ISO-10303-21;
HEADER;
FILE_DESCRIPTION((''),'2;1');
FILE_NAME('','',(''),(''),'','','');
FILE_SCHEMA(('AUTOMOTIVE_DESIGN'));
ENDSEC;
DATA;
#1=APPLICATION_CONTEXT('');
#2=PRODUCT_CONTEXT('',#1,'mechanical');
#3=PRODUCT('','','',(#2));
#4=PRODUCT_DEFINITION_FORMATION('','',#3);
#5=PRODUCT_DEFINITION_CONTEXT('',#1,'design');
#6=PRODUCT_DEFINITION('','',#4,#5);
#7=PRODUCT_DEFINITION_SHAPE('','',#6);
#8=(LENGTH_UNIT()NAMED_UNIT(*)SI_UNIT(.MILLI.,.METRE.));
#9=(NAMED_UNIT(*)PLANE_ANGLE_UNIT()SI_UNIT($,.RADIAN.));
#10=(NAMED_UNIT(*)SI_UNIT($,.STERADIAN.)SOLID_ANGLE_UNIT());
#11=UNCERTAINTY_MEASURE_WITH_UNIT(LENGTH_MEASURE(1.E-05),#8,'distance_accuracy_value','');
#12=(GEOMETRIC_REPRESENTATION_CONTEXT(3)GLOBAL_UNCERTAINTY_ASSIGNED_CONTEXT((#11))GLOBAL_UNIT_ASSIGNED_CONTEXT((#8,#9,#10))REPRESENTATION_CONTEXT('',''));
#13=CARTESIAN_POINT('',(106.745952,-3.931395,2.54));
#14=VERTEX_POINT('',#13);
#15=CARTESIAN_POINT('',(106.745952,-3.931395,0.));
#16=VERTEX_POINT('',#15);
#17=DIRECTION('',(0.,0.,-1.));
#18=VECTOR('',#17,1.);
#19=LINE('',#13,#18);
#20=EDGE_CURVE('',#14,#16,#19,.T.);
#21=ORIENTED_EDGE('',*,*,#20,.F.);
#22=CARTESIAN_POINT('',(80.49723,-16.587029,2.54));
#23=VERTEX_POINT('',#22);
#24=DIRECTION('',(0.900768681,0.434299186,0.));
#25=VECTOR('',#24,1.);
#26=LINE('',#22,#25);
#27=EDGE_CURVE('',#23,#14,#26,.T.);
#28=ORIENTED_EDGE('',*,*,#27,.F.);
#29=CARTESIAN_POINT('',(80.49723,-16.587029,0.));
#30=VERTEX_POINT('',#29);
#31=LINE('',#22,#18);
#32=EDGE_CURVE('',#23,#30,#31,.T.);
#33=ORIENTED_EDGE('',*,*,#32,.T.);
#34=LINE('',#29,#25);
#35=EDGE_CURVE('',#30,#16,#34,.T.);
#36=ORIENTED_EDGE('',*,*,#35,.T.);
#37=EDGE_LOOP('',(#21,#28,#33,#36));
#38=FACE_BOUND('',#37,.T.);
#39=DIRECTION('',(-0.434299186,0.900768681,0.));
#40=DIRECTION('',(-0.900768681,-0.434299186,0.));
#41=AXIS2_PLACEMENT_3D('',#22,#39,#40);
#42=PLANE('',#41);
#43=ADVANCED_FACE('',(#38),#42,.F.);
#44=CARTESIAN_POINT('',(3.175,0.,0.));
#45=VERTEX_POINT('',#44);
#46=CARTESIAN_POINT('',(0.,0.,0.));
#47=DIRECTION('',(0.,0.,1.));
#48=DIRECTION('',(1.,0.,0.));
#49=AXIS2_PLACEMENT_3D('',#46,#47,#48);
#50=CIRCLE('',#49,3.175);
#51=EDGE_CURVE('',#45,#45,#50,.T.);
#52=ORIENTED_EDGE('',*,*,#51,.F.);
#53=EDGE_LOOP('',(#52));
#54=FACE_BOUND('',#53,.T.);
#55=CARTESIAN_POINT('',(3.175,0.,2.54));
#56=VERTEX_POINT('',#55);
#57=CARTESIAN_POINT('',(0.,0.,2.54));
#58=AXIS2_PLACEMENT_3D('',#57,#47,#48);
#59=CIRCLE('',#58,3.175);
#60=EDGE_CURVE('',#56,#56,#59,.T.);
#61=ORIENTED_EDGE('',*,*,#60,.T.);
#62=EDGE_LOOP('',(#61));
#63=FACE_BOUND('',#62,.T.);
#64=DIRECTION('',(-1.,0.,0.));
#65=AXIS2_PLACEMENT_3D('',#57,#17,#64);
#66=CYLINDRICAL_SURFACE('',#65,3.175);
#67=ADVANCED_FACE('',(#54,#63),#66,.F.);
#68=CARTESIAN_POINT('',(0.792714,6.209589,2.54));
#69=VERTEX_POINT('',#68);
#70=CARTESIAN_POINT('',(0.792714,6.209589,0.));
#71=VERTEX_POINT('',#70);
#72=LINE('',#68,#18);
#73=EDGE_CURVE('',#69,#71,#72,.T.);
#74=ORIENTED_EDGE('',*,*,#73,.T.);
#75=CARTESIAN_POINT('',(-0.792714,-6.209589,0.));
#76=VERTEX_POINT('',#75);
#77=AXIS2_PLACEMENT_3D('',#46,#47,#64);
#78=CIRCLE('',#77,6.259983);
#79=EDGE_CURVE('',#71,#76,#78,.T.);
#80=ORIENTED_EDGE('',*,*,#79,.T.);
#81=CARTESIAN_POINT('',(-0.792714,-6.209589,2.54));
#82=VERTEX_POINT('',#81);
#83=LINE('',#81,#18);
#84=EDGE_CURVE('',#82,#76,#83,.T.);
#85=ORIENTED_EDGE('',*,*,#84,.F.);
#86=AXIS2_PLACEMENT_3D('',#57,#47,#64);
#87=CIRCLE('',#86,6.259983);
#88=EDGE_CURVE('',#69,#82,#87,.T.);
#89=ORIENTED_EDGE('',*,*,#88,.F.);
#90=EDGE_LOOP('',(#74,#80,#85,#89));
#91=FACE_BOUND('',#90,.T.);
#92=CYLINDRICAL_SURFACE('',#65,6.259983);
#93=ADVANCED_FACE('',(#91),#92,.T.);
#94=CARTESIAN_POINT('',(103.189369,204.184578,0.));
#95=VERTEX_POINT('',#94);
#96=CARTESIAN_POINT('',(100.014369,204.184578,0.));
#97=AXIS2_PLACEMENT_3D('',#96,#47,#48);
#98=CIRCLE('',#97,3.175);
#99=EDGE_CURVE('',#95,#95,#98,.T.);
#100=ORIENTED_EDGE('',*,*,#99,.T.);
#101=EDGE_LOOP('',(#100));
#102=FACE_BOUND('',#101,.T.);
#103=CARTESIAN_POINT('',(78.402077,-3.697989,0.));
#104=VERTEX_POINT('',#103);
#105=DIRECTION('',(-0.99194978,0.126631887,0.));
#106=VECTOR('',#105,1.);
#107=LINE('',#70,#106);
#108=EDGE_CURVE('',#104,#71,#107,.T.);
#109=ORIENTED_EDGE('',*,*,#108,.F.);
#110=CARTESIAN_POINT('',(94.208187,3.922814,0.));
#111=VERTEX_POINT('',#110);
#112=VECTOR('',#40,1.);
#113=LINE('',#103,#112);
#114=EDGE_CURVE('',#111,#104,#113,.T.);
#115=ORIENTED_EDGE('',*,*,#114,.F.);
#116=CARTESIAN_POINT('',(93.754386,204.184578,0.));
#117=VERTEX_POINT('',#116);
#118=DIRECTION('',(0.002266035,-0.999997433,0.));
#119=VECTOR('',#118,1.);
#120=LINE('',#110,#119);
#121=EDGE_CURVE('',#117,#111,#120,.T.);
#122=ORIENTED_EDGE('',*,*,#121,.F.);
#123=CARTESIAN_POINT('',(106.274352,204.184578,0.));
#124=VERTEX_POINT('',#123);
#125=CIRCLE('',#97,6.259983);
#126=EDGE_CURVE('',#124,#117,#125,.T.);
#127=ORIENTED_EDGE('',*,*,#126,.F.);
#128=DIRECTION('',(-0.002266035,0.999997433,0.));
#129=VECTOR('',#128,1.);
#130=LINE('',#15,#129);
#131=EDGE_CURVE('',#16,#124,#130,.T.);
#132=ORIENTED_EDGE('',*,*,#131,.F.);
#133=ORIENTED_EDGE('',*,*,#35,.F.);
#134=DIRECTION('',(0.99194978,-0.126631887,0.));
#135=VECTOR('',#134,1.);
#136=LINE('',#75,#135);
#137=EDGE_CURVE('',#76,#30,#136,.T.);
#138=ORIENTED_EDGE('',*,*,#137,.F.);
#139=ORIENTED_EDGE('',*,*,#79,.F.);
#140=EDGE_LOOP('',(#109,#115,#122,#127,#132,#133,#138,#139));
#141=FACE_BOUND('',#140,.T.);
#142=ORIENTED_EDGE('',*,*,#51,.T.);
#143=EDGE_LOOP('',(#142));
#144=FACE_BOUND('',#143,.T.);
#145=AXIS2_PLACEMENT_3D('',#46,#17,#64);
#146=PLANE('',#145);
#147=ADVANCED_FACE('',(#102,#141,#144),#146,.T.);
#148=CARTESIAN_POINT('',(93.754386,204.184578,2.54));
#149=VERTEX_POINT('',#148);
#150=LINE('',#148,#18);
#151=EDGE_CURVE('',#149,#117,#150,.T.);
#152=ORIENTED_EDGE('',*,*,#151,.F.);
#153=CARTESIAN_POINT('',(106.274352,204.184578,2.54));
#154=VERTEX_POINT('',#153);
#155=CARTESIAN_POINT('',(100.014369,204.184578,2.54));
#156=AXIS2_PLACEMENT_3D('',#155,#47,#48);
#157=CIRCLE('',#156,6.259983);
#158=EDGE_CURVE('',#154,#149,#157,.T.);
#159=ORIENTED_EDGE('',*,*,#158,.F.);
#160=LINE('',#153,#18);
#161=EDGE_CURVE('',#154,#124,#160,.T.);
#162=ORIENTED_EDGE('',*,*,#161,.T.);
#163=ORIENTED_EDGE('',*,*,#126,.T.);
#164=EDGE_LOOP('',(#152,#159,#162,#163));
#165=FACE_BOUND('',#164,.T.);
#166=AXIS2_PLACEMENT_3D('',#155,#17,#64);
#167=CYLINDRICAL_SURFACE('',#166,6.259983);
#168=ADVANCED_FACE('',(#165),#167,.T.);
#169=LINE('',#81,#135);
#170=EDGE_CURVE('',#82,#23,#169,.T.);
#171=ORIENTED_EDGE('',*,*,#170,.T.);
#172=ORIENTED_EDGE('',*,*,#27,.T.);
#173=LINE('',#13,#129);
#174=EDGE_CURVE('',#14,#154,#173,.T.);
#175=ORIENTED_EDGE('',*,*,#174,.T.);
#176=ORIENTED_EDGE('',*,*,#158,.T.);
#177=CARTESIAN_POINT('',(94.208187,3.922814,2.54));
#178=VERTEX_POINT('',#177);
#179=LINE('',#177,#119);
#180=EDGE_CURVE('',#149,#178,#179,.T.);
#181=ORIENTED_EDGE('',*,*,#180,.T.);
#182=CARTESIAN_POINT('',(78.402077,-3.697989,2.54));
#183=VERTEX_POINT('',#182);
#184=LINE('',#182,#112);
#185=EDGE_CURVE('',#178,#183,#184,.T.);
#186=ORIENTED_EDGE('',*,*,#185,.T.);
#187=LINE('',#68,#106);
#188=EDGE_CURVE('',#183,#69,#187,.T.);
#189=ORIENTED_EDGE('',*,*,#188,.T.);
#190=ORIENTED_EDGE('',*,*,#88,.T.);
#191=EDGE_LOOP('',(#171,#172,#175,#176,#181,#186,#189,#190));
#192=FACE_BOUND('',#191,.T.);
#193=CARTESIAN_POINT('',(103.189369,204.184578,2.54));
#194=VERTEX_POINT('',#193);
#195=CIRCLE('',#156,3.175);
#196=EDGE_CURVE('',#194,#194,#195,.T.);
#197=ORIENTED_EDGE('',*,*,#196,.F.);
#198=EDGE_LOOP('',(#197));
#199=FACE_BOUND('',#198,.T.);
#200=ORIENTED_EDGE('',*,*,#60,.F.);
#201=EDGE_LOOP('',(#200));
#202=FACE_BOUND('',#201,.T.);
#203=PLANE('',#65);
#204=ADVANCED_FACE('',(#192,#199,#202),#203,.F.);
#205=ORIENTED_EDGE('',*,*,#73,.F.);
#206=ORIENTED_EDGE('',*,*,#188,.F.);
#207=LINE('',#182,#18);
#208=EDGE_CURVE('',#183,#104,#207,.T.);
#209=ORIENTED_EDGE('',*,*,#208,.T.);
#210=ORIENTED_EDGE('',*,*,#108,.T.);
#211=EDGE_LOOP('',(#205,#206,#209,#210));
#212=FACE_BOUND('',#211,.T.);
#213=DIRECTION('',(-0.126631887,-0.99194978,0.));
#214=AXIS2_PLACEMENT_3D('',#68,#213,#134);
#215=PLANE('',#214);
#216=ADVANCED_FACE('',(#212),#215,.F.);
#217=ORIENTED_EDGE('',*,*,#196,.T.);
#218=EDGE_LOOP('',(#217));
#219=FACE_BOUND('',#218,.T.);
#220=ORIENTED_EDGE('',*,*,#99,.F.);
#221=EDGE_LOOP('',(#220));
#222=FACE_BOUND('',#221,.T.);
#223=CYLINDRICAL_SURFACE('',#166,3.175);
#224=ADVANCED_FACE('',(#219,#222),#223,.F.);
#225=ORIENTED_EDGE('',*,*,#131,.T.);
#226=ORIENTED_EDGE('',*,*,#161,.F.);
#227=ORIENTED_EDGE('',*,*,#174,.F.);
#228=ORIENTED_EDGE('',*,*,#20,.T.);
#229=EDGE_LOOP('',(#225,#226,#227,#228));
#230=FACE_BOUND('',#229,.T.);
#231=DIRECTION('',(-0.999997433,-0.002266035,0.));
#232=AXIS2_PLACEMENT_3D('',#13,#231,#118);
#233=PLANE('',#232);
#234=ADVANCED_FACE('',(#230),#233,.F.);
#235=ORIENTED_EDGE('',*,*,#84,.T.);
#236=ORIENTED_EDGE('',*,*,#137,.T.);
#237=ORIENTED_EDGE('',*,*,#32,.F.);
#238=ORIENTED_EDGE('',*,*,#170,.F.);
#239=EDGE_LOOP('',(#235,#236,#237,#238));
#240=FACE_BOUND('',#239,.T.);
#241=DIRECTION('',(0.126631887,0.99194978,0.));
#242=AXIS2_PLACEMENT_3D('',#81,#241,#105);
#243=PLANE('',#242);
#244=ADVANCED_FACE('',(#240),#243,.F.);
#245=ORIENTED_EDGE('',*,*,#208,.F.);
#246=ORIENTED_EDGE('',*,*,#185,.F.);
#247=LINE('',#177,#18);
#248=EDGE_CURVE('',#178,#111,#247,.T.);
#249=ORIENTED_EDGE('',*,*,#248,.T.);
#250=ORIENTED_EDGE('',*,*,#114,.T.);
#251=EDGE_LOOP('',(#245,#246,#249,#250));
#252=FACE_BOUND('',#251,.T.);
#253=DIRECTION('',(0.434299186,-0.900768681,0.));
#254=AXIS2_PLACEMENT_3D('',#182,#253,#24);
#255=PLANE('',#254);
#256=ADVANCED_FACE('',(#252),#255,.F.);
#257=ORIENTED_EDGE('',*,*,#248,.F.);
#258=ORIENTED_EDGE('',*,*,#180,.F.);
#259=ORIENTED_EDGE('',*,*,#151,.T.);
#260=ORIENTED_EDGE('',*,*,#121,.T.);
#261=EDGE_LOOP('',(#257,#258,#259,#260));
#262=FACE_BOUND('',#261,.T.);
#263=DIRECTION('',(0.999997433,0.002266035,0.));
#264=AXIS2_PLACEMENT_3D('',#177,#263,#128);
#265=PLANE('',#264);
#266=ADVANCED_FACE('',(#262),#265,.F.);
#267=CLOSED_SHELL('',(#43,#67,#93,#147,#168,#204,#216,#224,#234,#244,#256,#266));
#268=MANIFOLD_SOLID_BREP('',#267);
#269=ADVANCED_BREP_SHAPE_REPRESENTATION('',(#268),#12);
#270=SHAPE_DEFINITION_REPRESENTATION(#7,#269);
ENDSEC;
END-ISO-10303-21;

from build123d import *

# Parameters (mm, degrees)
SKETCH1_R           = 3.175
BOSS_EXTRUDE1_DEPTH = 2.54


with BuildPart() as part:
    # Sketch1 → Boss-Extrude1 (new body)
    with BuildSketch(Plane.XY):
        with BuildLine():
            Line((-0.792713517, -6.209589215), (80.497230298, -16.587028851))
            Line((80.497230298, -16.587028851), (106.74595178, -3.93139528))
            Line((106.74595178, -3.93139528), (106.274352446, 204.184578368))
            ThreePointArc((106.274352446, 204.184578368), (100.014368984, 210.444561829), (93.754385523, 204.184578368))
            Line((93.754385523, 204.184578368), (94.208186896, 3.92281412))
            Line((94.208186896, 3.92281412), (78.402076612, -3.697989053))
            Line((78.402076612, -3.697989053), (0.792713517, 6.209589215))
            ThreePointArc((0.792713517, 6.209589215), (-6.209589215, 0.792713517), (-0.792713517, -6.209589215))
        make_face()
        Circle(SKETCH1_R, mode=Mode.SUBTRACT)
        with Locations((100.014368984, 204.184578368)):
            Circle(SKETCH1_R, mode=Mode.SUBTRACT)
    extrude(amount=BOSS_EXTRUDE1_DEPTH)


solid = part.part
